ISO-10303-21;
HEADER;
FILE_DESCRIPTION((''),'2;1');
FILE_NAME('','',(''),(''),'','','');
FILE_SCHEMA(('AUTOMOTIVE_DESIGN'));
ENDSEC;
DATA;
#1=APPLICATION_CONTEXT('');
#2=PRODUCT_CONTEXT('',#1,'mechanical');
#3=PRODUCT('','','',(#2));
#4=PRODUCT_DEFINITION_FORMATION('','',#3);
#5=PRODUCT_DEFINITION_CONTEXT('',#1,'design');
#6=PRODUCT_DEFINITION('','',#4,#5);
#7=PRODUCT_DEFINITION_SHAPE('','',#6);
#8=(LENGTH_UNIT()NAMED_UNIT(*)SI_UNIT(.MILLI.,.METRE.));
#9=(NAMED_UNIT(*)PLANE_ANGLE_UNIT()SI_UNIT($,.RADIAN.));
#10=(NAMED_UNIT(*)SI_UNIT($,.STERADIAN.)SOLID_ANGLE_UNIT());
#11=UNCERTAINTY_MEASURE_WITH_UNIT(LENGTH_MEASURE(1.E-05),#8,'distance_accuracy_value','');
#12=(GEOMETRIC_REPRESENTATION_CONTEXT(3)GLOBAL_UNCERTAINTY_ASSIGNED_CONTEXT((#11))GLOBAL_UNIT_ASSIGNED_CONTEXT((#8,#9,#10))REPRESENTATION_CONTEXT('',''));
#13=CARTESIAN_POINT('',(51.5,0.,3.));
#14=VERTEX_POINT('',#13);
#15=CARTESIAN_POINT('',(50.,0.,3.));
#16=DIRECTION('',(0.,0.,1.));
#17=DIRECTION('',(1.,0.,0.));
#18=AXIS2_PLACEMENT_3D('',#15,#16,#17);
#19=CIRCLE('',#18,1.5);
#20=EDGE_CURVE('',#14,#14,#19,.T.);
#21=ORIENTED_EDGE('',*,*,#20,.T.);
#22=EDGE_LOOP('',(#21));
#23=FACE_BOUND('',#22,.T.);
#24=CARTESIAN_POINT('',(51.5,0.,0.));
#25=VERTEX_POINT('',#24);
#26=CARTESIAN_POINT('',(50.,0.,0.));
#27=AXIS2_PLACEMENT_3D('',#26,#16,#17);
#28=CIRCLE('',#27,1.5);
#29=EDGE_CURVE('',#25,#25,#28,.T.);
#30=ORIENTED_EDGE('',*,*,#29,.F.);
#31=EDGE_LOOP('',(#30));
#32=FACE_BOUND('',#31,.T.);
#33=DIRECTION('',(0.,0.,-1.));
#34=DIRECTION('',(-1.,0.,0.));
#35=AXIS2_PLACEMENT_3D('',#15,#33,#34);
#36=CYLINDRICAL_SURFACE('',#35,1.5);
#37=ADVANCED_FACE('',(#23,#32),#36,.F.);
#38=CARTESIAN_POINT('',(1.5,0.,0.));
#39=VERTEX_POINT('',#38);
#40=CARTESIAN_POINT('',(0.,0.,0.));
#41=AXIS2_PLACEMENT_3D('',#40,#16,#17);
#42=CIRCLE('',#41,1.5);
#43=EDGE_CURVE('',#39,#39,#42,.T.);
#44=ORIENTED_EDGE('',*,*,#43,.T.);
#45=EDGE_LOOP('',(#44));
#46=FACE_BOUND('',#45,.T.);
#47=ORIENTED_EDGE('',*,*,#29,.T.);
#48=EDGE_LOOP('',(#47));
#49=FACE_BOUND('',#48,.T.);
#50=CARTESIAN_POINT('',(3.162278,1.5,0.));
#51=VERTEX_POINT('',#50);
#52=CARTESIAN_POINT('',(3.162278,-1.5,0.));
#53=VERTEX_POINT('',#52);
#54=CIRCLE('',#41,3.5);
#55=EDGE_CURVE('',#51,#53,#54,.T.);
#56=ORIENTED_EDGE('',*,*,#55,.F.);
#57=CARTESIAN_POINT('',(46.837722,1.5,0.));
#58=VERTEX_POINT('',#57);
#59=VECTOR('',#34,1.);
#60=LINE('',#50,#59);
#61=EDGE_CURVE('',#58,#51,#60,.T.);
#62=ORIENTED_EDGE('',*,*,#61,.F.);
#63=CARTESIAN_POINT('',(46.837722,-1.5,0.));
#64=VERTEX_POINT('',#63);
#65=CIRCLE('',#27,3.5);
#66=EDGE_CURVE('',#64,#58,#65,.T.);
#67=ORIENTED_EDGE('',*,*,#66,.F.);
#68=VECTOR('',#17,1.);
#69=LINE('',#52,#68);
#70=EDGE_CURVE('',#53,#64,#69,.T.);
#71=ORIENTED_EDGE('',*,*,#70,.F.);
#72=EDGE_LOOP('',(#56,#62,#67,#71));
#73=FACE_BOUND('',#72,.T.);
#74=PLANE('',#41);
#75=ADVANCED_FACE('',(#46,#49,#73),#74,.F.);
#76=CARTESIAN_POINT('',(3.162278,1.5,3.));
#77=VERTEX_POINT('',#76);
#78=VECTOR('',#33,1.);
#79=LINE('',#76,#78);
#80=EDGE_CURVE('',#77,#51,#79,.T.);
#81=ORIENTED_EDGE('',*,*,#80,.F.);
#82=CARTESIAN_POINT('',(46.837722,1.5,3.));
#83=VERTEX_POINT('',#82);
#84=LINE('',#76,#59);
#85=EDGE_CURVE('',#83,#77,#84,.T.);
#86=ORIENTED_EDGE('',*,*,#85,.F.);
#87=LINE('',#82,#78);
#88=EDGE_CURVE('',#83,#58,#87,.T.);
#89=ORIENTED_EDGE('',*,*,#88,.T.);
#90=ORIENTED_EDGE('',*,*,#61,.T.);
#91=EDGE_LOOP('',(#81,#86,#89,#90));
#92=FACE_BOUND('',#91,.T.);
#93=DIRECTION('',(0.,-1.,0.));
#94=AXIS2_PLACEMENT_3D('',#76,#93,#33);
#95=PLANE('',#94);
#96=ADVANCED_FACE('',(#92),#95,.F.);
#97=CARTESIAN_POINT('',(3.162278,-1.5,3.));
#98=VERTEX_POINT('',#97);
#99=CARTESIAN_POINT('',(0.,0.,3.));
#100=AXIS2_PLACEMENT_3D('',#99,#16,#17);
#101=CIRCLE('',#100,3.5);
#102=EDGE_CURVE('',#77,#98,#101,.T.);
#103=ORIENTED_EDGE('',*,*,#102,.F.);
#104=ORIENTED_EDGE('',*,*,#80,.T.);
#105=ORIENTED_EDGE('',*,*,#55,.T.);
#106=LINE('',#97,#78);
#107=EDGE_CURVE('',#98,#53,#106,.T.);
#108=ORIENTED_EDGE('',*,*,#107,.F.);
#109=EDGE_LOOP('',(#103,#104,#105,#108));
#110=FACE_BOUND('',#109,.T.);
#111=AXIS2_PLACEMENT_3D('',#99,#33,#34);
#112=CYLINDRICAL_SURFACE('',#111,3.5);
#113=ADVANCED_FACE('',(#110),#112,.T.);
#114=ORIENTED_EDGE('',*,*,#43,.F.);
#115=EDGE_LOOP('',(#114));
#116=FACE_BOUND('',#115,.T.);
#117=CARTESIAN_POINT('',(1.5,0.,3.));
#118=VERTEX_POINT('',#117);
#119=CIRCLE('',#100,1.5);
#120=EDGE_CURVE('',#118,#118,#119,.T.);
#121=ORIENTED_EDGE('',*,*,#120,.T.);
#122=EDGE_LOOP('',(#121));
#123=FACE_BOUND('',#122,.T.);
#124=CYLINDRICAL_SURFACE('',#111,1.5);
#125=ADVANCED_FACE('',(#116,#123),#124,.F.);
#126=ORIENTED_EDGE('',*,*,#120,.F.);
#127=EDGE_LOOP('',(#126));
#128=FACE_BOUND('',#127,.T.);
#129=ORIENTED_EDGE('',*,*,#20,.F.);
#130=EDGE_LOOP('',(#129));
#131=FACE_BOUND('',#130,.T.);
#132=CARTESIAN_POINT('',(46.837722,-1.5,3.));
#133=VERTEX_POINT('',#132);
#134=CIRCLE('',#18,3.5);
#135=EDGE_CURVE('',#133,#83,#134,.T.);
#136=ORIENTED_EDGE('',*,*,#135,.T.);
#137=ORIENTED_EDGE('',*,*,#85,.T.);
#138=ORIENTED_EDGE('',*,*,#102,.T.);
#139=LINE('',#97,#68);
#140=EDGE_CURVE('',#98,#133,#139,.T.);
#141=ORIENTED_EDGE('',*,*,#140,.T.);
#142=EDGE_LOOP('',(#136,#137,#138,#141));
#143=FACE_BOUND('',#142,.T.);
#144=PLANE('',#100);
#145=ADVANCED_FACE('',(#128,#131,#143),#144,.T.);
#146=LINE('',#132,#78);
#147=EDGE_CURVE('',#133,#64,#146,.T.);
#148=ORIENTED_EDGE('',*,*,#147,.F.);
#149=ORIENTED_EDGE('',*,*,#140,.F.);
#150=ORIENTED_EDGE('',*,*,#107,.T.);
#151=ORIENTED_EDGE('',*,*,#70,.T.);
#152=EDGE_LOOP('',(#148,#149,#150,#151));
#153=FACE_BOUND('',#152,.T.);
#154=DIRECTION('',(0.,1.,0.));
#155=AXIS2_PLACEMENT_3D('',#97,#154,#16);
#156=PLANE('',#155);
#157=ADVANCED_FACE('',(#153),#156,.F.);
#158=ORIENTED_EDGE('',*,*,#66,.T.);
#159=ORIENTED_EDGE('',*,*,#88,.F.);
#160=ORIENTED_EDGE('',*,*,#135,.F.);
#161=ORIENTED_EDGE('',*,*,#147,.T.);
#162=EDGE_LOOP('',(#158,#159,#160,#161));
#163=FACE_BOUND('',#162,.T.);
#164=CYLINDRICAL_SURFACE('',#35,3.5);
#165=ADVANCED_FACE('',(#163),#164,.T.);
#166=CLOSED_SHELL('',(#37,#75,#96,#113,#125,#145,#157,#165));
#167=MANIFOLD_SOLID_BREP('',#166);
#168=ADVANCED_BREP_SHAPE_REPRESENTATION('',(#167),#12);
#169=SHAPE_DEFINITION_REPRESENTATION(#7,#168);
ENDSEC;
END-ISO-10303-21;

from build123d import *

# Parameters (mm, degrees)
SKETCH_1_R      = 1.5
EXTRUDE_1_DEPTH = 3


with BuildPart() as part:
    # 草图1 → 凸台-拉伸1 (new body)
    with BuildSketch(Plane.XY):
        with BuildLine():
            Line((3.16227766, 1.5), (46.83772234, 1.5))
            ThreePointArc((46.83772234, 1.5), (53.5, 0), (46.83772234, -1.5))
            Line((46.83772234, -1.5), (3.16227766, -1.5))
            ThreePointArc((3.16227766, -1.5), (-3.5, 0), (3.16227766, 1.5))
        make_face()
        Circle(SKETCH_1_R, mode=Mode.SUBTRACT)
        with Locations((50, 0)):
            Circle(SKETCH_1_R, mode=Mode.SUBTRACT)
    extrude(amount=EXTRUDE_1_DEPTH)


solid = part.part
